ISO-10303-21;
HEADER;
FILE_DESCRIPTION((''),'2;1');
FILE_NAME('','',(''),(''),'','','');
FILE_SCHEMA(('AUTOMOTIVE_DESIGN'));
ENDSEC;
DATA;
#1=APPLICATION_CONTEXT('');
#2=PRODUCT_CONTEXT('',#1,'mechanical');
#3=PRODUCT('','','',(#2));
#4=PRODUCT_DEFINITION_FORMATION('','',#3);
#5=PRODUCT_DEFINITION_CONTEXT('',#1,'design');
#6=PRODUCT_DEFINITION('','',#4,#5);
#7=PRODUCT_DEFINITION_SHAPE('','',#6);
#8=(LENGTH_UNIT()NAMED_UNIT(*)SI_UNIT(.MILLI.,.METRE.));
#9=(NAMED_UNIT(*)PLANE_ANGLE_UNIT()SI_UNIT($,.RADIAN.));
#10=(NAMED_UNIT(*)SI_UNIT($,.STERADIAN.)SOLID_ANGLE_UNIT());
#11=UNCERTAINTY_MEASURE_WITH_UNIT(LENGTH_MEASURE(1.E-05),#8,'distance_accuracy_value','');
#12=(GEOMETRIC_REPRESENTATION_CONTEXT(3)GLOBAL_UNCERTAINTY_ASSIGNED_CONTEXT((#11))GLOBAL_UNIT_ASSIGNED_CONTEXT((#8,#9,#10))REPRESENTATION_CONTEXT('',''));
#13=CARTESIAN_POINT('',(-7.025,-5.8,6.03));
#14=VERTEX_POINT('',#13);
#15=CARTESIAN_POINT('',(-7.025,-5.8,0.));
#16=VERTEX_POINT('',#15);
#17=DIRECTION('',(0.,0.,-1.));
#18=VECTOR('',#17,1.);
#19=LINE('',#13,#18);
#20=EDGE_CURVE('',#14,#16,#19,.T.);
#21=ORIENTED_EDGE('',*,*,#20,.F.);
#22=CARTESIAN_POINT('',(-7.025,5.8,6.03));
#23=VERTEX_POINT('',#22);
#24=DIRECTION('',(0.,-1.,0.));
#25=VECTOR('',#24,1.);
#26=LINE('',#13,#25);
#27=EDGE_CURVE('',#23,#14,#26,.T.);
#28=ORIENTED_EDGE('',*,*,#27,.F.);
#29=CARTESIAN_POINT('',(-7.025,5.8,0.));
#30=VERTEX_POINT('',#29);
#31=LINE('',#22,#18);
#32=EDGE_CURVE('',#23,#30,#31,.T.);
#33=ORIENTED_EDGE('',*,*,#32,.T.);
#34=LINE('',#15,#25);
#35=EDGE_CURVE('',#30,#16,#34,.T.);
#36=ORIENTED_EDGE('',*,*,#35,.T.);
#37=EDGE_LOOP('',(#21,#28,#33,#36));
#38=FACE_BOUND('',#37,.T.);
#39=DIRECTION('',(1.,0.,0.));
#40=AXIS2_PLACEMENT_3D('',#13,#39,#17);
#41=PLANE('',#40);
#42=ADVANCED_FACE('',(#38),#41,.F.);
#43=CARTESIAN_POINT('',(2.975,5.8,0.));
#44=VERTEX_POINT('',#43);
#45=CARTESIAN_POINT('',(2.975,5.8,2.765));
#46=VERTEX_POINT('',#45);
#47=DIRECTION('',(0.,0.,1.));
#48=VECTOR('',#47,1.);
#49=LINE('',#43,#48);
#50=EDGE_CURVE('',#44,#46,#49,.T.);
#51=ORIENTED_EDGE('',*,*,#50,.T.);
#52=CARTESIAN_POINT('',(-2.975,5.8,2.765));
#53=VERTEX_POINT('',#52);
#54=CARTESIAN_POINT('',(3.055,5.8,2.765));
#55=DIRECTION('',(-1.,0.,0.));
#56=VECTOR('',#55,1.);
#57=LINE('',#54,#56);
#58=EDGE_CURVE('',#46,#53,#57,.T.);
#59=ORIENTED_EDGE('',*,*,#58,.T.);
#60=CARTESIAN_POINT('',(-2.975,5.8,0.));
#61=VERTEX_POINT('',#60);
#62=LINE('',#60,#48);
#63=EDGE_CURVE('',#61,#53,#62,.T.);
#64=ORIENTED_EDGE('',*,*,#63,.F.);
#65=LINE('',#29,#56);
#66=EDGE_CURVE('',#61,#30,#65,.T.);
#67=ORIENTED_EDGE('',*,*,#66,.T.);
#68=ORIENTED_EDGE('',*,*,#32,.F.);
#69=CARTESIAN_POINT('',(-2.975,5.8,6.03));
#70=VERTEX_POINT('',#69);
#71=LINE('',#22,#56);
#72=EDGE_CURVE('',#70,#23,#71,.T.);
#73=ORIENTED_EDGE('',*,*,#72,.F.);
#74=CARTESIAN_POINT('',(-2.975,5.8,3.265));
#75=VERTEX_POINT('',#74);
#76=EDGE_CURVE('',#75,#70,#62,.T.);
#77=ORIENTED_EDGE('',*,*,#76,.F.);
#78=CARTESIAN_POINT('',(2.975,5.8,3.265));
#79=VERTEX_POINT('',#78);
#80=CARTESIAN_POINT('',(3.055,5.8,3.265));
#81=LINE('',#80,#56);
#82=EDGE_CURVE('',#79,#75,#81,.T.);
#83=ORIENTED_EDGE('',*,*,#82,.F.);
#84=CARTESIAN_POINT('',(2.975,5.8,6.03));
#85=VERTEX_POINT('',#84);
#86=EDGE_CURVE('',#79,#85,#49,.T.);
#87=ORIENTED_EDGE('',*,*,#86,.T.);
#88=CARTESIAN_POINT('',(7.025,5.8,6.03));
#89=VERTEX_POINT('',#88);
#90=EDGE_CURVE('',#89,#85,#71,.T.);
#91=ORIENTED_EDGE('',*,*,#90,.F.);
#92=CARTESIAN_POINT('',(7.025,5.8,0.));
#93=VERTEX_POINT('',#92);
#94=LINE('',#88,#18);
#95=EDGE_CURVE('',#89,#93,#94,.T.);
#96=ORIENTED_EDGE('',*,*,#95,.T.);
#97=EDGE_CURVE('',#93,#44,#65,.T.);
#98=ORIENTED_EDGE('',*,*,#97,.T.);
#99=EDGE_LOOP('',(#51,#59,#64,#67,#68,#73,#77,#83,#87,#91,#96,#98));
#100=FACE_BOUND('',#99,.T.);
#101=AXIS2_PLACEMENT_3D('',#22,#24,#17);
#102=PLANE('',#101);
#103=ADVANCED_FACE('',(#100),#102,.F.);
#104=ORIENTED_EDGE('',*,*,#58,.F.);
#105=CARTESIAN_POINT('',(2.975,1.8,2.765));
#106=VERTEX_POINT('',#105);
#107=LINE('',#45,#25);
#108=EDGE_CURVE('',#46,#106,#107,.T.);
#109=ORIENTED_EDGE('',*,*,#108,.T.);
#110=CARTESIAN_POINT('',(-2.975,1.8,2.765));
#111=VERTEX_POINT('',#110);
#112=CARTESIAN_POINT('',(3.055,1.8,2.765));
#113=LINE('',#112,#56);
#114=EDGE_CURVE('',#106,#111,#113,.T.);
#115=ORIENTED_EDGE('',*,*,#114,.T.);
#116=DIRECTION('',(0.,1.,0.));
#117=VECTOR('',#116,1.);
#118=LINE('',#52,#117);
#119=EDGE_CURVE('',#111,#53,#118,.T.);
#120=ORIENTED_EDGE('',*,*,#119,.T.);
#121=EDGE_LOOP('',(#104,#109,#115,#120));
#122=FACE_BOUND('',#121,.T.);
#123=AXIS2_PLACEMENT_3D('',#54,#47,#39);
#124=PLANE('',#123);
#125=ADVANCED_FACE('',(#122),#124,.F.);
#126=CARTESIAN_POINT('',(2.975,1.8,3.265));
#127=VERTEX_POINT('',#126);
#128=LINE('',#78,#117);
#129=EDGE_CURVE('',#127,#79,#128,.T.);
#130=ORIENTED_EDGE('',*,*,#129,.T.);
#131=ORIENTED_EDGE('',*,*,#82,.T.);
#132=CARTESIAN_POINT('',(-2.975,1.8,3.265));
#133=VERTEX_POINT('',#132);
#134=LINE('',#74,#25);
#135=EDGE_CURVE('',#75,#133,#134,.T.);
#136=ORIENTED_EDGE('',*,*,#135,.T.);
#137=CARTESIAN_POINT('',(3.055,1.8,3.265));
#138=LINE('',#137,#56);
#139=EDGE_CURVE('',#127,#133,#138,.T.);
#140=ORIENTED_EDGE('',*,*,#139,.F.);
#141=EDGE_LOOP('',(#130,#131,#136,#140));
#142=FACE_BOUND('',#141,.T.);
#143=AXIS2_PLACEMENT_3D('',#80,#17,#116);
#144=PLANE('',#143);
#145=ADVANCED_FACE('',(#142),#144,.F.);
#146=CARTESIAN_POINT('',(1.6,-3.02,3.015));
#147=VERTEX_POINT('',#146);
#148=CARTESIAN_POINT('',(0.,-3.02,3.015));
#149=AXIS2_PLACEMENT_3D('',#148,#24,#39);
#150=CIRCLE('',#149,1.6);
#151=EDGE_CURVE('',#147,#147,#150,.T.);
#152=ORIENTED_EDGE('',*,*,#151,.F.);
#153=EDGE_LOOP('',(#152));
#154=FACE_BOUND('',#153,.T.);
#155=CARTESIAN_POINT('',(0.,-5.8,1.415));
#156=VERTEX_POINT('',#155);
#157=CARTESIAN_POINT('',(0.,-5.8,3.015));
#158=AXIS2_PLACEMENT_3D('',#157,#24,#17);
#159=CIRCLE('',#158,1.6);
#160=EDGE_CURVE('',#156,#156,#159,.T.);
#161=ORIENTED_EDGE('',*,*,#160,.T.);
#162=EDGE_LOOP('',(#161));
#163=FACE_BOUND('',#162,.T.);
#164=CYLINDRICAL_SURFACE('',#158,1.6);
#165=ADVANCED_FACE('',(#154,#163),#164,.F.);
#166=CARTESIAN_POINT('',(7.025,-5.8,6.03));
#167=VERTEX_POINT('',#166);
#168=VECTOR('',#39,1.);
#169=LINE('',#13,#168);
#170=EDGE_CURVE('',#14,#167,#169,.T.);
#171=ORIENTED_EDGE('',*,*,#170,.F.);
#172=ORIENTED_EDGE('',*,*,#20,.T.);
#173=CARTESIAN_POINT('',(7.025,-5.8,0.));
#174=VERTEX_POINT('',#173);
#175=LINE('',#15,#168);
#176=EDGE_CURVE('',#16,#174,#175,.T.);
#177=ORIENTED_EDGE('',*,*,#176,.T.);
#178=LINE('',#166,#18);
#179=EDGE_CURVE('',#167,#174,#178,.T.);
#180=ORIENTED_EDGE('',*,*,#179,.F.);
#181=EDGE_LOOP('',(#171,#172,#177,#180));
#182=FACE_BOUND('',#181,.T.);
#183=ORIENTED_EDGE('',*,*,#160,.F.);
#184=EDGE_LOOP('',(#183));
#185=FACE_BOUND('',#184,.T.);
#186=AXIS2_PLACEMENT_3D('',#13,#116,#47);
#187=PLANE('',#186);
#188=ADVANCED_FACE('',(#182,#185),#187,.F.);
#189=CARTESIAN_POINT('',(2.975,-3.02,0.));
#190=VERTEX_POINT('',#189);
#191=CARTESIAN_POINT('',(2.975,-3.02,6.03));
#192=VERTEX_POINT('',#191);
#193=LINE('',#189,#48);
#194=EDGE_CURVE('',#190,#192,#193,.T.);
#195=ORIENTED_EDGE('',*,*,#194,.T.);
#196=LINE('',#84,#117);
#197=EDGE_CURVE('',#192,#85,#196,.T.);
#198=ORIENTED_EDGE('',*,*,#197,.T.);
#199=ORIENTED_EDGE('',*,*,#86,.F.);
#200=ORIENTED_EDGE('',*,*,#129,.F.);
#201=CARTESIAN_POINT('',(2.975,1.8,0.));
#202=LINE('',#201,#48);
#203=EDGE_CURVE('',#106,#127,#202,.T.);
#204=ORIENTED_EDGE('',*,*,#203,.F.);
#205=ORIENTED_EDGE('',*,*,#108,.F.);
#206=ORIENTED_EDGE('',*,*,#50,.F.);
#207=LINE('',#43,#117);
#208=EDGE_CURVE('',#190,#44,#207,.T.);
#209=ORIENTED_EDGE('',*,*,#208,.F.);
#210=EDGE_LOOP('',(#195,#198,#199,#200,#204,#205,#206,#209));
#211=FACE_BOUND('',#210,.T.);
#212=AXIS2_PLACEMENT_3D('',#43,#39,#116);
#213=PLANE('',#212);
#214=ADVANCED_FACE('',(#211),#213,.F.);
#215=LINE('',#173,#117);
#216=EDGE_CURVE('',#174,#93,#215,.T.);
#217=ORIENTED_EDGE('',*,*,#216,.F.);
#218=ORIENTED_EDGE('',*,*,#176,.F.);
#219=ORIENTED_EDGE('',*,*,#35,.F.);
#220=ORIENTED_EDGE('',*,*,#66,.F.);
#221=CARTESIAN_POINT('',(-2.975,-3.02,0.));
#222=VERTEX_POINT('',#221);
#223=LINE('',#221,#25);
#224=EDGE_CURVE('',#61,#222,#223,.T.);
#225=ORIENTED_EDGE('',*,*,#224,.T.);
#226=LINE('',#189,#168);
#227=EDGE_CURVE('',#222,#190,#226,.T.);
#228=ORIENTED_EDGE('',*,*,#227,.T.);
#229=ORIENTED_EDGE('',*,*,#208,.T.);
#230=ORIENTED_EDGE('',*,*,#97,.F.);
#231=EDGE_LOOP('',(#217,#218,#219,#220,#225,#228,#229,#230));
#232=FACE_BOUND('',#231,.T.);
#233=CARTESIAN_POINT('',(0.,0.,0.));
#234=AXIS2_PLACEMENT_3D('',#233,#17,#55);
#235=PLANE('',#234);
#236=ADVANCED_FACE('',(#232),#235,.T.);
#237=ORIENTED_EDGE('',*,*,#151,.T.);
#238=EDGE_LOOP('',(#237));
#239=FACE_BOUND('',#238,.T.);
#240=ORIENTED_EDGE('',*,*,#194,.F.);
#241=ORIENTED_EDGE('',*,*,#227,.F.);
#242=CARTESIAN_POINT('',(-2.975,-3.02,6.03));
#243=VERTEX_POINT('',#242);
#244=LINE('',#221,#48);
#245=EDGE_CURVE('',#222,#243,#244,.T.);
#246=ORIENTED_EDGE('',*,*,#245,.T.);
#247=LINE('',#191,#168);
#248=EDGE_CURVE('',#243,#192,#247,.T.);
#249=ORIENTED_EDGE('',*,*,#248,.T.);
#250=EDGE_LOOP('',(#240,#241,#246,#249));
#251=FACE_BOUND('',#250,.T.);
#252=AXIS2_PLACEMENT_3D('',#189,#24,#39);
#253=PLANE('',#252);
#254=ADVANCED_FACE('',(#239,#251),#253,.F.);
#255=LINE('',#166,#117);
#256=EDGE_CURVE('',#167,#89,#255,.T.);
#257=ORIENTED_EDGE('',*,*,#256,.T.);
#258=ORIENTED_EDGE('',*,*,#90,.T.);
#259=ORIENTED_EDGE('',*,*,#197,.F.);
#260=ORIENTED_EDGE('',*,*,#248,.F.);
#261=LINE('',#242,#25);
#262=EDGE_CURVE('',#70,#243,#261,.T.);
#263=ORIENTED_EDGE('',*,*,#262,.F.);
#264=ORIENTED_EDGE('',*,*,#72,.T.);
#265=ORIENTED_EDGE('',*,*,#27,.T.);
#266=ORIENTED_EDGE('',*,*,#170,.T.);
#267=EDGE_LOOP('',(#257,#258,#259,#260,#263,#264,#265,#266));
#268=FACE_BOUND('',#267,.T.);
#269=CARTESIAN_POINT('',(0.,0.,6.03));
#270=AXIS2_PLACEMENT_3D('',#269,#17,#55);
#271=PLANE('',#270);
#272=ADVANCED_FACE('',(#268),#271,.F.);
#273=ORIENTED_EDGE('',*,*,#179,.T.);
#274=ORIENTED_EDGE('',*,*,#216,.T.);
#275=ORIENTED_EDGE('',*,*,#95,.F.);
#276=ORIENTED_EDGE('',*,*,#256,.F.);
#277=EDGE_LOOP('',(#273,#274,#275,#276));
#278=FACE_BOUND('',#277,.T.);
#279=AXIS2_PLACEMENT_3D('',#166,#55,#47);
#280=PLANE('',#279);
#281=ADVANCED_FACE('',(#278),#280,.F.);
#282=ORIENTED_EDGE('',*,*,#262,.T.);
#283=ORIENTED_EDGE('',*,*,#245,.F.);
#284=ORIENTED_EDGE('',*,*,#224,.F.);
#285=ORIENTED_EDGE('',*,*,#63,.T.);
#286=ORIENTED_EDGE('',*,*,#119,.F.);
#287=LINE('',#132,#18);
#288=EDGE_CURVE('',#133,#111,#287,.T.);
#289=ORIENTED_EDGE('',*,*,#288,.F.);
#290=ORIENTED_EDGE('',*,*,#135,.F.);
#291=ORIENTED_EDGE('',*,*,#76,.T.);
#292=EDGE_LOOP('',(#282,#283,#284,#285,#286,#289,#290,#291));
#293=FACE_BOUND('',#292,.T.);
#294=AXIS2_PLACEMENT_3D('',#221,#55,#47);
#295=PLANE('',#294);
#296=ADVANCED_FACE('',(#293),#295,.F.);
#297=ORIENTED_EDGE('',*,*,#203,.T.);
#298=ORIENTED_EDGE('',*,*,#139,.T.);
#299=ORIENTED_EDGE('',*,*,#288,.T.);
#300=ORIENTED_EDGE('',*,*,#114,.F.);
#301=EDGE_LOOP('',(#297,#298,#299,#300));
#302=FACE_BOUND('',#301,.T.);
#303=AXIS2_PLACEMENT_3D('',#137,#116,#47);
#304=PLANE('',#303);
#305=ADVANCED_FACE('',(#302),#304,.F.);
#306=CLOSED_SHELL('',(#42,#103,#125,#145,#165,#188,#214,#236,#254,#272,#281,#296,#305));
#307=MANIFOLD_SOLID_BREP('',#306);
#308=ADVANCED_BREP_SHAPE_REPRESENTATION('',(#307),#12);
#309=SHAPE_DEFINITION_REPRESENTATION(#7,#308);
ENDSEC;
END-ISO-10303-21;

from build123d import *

# Parameters (mm, degrees)
SKETCH1_W                = 14.05
SKETCH1_H                = 11.6
BOSS_EXTRUDE1_DEPTH      = 6.03
SKETCH2_W                = 5.95
SKETCH2_H                = 8.82
CUT_EXTRUDE2_DEPTH       = 6.03
SKETCH3_W                = 0.5
SKETCH3_H                = 4
BOSS_EXTRUDE2_DEPTH      = 6.03
M3_CLEARANCE_HOLE1_D     = 3.2
M3_CLEARANCE_HOLE1_DEPTH = 2.78


with BuildPart() as part:
    # Sketch1 → Boss-Extrude1 (new body)
    with BuildSketch(Plane.XY):
        Rectangle(SKETCH1_W, SKETCH1_H)
    extrude(amount=BOSS_EXTRUDE1_DEPTH)

    # Sketch2 → Cut-Extrude2 (cut)
    with BuildSketch(Plane.XY.offset(6.03)):
        with Locations((0, 1.39)):
            Rectangle(SKETCH2_W, SKETCH2_H)
    extrude(amount=-CUT_EXTRUDE2_DEPTH, mode=Mode.SUBTRACT)

    # Sketch3 → Boss-Extrude2 (add)
    with BuildSketch(Plane(origin=(-2.975, 0, 0), x_dir=(0, 0, -1), z_dir=(1, 0, 0))):
        with Locations((-3.015, 3.8)):
            Rectangle(SKETCH3_W, SKETCH3_H)
    extrude(amount=BOSS_EXTRUDE2_DEPTH)

    # M3 Clearance Hole1
    with Locations(Plane(origin=(0, -5.8, 0), x_dir=(-1, 0, 0), z_dir=(0, -1, 0))):
        with Locations((0, -3.015)):
            Hole(M3_CLEARANCE_HOLE1_D / 2, depth=M3_CLEARANCE_HOLE1_DEPTH)


solid = part.part
